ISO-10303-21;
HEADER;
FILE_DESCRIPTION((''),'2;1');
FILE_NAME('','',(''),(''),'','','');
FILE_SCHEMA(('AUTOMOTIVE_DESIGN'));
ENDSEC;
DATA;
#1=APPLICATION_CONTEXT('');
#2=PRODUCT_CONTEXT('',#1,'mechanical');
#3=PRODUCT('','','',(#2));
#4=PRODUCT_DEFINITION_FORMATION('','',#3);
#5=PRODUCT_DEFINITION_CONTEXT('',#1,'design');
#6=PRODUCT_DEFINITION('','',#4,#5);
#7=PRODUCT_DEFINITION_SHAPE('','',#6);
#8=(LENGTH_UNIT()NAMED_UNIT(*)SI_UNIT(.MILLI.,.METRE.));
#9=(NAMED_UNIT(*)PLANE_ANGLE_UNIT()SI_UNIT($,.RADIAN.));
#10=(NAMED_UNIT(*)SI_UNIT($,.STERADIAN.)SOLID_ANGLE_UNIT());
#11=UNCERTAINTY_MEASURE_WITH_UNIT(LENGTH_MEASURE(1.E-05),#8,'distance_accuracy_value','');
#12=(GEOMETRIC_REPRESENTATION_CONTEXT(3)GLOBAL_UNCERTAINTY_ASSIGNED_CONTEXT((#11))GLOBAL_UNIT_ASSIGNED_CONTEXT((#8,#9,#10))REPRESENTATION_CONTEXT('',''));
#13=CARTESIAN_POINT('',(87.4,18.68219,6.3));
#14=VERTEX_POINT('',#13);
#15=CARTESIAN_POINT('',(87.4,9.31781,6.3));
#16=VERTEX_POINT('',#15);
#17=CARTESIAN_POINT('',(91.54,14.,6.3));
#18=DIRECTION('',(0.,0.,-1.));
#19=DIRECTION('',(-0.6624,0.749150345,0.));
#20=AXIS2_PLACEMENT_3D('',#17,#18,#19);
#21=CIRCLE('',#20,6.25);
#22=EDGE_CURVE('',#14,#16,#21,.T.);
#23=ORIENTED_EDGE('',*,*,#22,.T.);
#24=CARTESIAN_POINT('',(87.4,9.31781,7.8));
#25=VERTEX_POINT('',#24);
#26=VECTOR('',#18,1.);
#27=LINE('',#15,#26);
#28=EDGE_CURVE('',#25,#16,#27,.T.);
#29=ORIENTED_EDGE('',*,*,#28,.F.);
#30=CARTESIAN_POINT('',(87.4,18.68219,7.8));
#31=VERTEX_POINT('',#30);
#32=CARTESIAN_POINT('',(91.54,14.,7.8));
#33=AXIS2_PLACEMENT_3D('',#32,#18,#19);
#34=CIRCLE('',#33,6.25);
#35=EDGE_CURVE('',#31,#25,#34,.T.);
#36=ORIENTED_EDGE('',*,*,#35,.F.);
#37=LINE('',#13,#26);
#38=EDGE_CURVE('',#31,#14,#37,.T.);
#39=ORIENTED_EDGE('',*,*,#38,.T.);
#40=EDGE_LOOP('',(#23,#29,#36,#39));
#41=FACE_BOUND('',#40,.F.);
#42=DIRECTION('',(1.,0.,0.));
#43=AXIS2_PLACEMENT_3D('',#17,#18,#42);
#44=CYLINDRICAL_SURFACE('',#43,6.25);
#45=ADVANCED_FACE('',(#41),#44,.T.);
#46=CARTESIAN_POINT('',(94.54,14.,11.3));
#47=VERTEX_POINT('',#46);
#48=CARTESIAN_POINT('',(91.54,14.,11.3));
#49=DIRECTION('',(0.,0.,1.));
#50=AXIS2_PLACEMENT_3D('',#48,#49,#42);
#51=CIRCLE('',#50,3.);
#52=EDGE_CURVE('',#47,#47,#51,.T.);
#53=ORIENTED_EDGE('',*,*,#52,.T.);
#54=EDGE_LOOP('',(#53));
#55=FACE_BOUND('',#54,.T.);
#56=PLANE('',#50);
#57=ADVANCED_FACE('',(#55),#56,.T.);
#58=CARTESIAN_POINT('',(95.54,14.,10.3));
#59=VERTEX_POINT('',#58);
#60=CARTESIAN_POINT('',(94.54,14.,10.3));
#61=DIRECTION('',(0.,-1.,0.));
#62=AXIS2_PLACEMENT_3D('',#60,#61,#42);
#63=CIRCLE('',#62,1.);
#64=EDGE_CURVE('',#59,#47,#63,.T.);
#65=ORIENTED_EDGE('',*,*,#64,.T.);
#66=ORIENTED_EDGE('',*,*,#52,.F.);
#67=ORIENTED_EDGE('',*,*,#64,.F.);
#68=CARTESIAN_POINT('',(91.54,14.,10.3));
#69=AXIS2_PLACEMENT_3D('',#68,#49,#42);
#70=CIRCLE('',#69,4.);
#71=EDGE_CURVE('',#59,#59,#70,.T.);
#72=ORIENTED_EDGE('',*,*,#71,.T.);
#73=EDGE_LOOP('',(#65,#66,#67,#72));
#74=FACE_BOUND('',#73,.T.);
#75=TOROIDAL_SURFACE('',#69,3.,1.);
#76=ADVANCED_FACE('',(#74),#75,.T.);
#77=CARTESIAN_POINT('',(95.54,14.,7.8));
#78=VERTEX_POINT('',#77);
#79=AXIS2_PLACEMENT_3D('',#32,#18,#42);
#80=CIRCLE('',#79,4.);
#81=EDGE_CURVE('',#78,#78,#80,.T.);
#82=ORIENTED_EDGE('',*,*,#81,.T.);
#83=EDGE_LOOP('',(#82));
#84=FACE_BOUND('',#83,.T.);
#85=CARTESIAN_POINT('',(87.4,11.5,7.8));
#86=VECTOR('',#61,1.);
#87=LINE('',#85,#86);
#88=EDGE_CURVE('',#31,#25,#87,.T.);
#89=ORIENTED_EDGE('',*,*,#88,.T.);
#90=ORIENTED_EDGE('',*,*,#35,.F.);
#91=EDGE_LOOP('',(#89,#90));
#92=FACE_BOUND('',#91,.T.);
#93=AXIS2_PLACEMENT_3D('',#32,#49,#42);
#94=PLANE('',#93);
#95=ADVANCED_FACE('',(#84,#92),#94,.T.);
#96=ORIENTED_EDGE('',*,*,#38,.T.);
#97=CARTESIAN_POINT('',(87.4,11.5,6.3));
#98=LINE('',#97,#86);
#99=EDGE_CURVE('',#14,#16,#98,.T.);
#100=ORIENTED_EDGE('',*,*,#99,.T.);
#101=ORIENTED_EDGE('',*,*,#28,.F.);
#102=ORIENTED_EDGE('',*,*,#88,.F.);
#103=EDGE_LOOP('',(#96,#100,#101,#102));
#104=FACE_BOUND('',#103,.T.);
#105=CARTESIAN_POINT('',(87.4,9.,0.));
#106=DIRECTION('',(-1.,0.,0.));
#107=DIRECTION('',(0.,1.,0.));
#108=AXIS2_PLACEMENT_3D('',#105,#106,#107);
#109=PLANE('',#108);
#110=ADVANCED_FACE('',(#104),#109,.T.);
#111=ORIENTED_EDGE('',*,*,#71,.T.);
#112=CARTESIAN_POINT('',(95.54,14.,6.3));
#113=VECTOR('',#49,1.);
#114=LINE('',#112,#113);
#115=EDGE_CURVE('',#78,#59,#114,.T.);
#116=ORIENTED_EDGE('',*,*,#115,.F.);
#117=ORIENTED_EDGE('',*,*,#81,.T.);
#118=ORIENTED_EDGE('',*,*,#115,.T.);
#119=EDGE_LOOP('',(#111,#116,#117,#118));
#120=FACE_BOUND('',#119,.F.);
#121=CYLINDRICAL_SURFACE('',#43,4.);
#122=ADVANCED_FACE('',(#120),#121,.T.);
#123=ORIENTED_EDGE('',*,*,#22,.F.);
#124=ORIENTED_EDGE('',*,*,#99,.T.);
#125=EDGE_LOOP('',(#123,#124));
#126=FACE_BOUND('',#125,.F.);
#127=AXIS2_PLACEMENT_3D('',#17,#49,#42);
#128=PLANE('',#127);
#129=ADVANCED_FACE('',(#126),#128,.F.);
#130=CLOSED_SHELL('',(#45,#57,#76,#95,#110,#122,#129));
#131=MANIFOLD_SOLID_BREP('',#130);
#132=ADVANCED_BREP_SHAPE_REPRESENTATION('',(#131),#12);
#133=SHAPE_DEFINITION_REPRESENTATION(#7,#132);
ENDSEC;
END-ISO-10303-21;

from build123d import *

# Parameters (mm, degrees)
BOX115_W          = 10
BOX115_H          = 10
BOX115_DEPTH      = 10
CYLINDER017_R     = 4
CYLINDER017_DEPTH = 5
FILLET002_R       = 1
CYLINDER016_R     = 6.25
CYLINDER016_DEPTH = 1.5


with BuildPart() as cube105:
    # Box115 → Box115 (new body)
    with BuildSketch(Plane(origin=(77.4, 9, 0), x_dir=(1, 0, 0), z_dir=(0, 0, 1))):
        with Locations((5, 5)):
            Rectangle(BOX115_W, BOX115_H)
    extrude(amount=BOX115_DEPTH)


with BuildPart() as btn4_top:
    # Cylinder017 → Cylinder017 (new body)
    with BuildSketch(Plane(origin=(109.54, 14, 6.3), x_dir=(1, 0, 0), z_dir=(0, 0, 1))):
        Circle(CYLINDER017_R)
    extrude(amount=CYLINDER017_DEPTH)

    # Fillet002
    fillet002_edges = [btn4_top.edges().sort_by_distance(p)[0] for p in [
        (105.54, 14, 11.3),
    ]]
    fillet(fillet002_edges, radius=FILLET002_R)


with BuildPart() as cut071:
    # Cylinder016 → Cylinder016 (new body)
    with BuildSketch(Plane(origin=(109.54, 14, 6.3), x_dir=(1, 0, 0), z_dir=(0, 0, 1))):
        Circle(CYLINDER016_R)
    extrude(amount=CYLINDER016_DEPTH)

    # Fusion016: union Btn4_Top
    add(btn4_top.part)


with BuildPart() as cut071_1:
    # Fusion016 placement: moved
    add(cut071.part.moved(Location((-18, 0, 0))))

    # Cut071: cut Cube105
    add(cube105.part, mode=Mode.SUBTRACT)


solid = cut071_1.part
